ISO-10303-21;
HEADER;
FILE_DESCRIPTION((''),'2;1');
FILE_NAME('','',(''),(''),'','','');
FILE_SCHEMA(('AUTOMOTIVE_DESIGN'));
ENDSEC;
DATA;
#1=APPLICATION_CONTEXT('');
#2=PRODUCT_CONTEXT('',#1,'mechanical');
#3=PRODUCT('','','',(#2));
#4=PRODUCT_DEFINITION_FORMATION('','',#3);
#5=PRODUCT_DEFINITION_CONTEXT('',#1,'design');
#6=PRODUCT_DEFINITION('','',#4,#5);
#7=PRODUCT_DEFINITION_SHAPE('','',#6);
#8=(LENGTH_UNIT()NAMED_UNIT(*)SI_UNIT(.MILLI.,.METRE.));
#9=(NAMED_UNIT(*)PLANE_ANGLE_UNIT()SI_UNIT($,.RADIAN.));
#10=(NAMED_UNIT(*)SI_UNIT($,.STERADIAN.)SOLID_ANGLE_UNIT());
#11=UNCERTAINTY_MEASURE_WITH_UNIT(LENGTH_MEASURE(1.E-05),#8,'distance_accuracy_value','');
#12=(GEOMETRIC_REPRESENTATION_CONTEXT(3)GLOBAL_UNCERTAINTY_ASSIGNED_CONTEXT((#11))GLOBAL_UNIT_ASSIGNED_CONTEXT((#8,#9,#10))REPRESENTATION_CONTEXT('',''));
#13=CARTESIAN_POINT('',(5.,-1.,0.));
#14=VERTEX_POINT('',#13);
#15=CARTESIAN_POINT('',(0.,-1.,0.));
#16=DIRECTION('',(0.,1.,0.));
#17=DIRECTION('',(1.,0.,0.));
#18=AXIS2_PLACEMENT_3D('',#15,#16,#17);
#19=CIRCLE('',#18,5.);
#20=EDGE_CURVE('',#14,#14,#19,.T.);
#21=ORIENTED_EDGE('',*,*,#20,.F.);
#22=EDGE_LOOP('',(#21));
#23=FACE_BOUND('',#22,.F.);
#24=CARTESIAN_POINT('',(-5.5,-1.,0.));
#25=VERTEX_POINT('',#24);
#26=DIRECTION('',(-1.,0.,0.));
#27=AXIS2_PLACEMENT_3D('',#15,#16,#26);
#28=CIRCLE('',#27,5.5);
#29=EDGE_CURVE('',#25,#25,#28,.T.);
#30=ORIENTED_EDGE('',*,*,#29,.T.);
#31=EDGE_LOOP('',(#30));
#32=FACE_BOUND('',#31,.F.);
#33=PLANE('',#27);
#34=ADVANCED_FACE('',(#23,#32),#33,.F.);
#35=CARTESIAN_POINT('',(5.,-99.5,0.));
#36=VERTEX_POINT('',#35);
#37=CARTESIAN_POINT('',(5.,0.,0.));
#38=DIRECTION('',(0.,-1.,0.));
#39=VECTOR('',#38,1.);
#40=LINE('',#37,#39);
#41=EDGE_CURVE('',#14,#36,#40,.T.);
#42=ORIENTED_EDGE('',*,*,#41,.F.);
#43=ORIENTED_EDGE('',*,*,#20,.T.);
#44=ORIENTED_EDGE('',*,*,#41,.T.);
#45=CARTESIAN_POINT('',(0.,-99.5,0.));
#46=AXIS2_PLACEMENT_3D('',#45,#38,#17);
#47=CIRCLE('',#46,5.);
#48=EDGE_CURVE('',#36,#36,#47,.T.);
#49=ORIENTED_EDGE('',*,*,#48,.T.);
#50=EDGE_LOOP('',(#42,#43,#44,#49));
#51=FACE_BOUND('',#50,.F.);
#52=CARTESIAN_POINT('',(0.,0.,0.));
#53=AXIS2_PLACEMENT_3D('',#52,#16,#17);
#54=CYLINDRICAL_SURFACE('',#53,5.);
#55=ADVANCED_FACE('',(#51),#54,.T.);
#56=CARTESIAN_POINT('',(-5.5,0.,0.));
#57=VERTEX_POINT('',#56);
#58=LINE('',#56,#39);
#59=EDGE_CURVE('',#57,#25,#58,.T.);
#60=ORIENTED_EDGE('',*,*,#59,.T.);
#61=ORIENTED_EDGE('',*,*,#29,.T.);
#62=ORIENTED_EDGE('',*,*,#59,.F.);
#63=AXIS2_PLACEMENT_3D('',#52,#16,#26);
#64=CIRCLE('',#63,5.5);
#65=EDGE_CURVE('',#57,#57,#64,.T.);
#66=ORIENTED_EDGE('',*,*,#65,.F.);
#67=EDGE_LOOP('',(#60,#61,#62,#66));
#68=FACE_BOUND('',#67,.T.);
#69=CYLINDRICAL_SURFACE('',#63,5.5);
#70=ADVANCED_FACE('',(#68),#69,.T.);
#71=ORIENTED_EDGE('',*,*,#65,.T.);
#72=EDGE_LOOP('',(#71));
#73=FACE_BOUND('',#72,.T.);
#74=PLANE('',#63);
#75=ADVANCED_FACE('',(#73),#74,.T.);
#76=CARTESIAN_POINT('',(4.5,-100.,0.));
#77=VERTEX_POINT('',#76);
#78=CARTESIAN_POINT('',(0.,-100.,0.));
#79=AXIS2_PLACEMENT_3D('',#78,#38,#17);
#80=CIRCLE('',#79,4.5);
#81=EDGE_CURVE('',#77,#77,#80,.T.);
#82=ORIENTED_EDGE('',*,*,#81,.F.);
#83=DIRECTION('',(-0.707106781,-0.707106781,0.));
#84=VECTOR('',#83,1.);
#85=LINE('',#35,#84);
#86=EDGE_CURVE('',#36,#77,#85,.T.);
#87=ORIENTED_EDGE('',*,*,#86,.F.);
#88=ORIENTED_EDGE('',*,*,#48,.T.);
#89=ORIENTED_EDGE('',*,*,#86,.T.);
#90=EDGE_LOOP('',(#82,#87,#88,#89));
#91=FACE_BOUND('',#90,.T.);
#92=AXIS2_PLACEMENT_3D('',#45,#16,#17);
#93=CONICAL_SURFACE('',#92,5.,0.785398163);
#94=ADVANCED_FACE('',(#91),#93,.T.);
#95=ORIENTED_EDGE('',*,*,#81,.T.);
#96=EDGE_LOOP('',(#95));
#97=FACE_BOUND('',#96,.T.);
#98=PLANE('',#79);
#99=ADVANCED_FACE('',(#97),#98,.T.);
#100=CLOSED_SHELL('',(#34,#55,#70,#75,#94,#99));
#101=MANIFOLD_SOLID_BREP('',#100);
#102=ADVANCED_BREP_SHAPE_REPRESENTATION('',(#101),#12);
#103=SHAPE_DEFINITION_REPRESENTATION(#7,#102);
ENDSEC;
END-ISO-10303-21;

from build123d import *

# Parameters (mm, degrees)
F0_R     = 5
F1_DEPTH = 100
F2_SIZE  = 0.5
F3_R     = 5.5
F4_DEPTH = 1


with BuildPart() as f1:
    # F0 (on Front) → F1 (new body)
    with BuildSketch(Plane.XZ):
        Circle(F0_R)
    extrude(amount=F1_DEPTH)

    # F2
    f2_edges = [f1.edges().sort_by_distance(p)[0] for p in [
        (-5, -100, 0),
    ]]
    chamfer(f2_edges, length=F2_SIZE)

    # F3 (on face) → F4 (join)
    with BuildSketch(Plane(origin=(0, 0, 0), x_dir=(-1, 0, 0), z_dir=(0, 1, 0))):
        Circle(F3_R)
    extrude(amount=-F4_DEPTH)


solid = f1.part
